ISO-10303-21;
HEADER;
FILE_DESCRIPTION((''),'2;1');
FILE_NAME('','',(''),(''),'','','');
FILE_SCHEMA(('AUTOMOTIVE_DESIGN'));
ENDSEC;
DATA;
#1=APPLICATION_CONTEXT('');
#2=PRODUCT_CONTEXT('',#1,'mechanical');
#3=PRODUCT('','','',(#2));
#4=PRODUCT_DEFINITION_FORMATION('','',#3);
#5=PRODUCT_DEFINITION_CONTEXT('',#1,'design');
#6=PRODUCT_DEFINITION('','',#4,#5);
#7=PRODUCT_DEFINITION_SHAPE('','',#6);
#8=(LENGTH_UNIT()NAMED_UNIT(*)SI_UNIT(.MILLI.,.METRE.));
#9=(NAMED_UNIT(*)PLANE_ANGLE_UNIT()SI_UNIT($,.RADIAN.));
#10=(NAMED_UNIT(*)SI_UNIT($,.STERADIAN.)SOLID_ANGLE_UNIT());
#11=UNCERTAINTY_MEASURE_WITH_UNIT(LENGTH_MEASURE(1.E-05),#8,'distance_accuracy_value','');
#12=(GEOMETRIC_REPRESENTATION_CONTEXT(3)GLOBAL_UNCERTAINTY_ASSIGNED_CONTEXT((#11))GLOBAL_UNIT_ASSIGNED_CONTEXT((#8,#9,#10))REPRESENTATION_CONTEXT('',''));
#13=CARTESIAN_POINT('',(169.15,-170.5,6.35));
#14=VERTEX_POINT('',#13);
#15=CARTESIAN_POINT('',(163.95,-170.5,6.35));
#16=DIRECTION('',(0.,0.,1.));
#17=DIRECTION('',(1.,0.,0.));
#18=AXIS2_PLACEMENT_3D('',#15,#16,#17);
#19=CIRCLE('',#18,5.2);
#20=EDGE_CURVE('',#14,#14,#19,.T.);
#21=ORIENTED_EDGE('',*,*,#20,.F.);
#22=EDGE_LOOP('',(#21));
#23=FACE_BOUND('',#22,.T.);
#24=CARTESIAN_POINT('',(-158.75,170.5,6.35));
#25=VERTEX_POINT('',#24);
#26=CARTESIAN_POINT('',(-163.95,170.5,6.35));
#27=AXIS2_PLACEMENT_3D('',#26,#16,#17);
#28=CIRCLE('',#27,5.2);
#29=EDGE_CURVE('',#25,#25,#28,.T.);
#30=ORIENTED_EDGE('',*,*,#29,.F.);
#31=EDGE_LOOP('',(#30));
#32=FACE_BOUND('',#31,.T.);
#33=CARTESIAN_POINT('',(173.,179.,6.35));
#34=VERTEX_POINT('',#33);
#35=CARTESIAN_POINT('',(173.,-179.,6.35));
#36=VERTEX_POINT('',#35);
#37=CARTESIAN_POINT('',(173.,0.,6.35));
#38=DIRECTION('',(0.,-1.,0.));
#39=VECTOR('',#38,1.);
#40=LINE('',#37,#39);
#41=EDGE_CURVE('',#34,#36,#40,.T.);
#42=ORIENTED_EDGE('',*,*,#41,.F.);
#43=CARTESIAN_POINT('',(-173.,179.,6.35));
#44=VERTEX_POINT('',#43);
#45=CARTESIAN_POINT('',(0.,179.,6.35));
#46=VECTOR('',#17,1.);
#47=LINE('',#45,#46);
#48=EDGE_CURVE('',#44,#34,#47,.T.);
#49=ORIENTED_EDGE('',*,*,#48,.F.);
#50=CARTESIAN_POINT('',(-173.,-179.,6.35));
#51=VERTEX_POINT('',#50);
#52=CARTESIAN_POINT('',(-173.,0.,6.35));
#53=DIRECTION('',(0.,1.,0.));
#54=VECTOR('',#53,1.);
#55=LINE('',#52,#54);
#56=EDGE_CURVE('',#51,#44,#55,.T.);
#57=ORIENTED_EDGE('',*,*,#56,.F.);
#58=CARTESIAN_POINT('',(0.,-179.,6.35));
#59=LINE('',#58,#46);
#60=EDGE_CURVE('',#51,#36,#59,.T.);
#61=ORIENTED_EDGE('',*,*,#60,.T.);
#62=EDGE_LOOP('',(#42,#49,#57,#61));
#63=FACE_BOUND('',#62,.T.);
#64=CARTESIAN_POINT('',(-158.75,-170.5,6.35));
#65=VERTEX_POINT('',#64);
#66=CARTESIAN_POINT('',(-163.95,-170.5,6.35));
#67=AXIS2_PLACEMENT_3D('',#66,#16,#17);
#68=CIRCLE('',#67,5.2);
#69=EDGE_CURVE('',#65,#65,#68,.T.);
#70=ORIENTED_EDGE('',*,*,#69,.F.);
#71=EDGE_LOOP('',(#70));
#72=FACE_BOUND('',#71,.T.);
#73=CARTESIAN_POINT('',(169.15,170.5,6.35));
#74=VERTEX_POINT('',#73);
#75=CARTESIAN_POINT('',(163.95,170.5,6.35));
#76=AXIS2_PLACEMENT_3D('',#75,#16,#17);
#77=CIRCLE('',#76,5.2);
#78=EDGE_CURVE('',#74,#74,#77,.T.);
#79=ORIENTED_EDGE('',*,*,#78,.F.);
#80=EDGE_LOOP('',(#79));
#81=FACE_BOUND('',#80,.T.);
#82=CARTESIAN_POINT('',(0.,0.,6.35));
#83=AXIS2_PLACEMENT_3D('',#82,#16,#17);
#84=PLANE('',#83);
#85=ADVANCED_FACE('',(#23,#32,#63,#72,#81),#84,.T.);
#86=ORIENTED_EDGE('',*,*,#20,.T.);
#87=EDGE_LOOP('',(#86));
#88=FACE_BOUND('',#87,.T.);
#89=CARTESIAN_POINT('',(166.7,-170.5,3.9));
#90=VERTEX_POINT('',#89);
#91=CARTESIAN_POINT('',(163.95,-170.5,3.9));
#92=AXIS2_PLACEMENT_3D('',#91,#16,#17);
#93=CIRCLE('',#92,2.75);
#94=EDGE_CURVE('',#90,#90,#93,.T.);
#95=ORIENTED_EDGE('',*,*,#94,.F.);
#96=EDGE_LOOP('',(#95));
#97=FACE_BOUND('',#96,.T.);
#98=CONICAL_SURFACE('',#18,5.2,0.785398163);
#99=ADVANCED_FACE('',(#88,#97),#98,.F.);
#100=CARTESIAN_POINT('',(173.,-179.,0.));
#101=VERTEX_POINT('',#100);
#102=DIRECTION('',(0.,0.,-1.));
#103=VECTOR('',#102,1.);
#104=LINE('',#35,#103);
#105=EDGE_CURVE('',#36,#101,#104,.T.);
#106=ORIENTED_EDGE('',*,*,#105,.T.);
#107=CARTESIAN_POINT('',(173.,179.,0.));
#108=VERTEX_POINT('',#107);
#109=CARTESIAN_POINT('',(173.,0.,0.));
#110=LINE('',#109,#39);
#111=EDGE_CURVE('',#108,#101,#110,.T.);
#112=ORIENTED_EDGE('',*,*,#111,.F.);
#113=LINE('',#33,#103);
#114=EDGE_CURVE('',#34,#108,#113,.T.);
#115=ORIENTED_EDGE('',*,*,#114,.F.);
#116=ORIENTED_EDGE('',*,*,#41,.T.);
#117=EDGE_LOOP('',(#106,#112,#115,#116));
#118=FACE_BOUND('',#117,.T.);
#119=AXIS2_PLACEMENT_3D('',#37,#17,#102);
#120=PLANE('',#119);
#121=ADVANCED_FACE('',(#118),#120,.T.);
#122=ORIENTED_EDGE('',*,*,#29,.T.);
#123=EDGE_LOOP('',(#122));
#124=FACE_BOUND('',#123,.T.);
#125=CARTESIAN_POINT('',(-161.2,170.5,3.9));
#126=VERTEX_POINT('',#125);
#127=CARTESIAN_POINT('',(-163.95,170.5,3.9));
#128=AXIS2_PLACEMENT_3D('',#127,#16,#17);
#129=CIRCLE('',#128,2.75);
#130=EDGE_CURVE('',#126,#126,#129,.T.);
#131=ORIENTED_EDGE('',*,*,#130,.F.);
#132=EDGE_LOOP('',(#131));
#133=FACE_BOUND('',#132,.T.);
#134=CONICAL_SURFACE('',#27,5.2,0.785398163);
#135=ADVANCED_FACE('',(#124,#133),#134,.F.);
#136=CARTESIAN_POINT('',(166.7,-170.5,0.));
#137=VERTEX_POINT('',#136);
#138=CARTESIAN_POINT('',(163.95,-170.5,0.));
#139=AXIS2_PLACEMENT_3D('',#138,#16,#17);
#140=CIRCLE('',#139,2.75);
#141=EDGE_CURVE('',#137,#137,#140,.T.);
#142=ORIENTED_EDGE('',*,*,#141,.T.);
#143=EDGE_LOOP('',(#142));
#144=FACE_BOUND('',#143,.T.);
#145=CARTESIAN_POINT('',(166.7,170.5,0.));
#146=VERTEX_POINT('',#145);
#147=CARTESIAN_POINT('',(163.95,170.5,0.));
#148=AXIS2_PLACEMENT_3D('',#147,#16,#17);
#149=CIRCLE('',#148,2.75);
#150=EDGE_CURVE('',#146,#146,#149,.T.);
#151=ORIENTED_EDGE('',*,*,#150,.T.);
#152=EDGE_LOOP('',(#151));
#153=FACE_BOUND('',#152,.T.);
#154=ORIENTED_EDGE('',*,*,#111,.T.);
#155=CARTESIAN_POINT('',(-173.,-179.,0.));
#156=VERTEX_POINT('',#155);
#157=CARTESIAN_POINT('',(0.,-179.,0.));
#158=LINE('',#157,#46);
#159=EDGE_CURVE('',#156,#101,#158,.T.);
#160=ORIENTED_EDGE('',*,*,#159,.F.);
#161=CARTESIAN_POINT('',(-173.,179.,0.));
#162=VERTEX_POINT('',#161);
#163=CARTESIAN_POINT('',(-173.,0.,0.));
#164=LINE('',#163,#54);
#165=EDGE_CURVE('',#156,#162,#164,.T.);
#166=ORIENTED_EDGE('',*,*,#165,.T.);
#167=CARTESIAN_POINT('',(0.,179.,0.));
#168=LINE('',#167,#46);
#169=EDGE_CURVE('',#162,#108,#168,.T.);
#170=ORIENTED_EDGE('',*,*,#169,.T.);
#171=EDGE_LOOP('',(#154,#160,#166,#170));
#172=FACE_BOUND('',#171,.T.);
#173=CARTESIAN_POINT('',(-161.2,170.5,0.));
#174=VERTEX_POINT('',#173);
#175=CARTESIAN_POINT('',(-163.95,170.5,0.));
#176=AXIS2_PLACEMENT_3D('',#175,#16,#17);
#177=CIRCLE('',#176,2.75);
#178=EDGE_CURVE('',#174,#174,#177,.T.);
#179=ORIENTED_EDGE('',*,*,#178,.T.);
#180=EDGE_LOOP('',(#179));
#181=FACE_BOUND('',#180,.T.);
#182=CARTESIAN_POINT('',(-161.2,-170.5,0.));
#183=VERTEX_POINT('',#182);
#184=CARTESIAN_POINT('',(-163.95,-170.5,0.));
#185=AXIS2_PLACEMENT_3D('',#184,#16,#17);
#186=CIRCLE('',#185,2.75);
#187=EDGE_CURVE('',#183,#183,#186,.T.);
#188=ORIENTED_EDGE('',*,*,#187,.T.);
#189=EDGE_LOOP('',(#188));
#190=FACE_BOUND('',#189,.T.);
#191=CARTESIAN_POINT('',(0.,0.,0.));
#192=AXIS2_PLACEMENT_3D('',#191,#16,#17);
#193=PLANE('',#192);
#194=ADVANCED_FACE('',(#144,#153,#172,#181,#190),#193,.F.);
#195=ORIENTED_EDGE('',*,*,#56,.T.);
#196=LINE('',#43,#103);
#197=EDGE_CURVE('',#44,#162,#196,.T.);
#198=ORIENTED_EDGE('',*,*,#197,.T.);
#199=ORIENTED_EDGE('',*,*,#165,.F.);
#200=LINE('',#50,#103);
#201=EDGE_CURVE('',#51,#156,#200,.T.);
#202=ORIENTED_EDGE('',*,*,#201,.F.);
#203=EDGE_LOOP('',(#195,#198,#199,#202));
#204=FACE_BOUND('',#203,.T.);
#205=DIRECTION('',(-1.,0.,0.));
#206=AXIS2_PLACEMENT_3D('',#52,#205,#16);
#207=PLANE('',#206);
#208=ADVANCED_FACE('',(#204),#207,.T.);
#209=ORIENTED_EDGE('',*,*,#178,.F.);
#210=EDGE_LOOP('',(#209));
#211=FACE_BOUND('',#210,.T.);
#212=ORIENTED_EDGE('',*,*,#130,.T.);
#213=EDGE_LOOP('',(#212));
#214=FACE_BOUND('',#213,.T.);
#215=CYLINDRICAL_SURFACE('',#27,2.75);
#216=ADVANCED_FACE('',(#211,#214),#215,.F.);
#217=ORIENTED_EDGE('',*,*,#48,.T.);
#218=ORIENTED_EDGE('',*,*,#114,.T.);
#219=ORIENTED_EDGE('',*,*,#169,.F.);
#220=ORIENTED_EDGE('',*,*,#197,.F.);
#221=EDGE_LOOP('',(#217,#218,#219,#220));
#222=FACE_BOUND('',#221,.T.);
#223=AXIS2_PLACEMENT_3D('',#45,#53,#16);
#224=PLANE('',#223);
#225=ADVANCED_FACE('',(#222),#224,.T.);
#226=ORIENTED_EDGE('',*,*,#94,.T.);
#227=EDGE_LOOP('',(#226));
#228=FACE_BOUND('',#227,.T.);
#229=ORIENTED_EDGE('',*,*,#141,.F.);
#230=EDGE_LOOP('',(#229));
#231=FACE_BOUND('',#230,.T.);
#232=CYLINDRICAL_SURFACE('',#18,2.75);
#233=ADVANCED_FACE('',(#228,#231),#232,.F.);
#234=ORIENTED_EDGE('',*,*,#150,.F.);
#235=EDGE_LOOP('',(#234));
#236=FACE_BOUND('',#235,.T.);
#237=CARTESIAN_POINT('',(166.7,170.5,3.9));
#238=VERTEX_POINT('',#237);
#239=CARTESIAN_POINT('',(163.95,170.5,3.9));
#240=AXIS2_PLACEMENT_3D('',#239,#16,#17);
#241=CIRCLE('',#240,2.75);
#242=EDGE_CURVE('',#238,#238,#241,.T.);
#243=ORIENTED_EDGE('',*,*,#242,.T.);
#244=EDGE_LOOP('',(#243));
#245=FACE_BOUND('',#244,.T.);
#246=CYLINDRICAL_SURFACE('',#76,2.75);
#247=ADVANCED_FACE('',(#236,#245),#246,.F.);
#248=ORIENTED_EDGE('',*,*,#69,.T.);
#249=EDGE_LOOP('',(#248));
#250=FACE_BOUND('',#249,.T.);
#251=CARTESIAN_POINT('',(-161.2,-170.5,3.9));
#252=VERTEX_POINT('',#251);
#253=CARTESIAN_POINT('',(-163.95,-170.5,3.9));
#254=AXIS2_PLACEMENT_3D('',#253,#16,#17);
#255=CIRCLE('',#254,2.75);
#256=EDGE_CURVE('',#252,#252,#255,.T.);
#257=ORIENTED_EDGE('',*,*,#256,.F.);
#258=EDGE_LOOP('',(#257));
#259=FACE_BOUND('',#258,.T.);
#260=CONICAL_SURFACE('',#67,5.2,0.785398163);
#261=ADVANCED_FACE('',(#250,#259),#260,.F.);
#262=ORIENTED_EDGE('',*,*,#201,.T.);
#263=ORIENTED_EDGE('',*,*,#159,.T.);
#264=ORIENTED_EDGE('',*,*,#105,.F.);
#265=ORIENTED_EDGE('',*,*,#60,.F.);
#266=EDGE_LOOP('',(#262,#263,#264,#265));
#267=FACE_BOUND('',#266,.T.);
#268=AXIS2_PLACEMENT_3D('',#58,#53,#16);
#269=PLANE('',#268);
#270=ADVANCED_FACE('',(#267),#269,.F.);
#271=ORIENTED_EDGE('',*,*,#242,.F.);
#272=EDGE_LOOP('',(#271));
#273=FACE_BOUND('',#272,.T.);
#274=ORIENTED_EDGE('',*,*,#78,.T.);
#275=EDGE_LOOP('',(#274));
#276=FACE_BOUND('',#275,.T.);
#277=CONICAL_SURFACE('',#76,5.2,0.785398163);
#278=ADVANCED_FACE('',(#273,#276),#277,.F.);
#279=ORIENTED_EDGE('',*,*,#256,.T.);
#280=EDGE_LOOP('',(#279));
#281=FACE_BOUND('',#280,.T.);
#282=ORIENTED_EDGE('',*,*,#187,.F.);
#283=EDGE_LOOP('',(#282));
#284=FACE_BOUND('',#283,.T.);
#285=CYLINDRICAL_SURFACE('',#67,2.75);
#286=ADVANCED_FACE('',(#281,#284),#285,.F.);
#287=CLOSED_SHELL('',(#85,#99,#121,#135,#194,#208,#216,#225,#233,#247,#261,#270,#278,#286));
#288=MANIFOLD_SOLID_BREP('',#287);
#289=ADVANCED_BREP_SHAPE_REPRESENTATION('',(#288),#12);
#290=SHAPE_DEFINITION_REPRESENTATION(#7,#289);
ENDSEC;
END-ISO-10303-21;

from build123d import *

# Parameters (mm, degrees)
MODEL_W                                         = 346
MODEL_H                                         = 358
BOSS_EXTRUDE1_DEPTH                             = 6.35
CUT_EXTRUDE1_REACH                              = 251.019
SKETCH2_R                                       = 2.55
CSK_FOR_M5_FLAT_HEAD_MACHINE_SCREW1_D           = 5.5
CSK_FOR_M5_FLAT_HEAD_MACHINE_SCREW1_CSINK_D     = 10.4
CSK_FOR_M5_FLAT_HEAD_MACHINE_SCREW1_CSINK_ANGLE = 90


with BuildPart() as part:
    # Model → Boss-Extrude1 (new body)
    with BuildSketch(Plane.XY):
        Rectangle(MODEL_W, MODEL_H)
    extrude(amount=BOSS_EXTRUDE1_DEPTH)

    # Sketch2 → Cut-Extrude1 (cut, up to next)
    with BuildSketch(Plane.XY.offset(6.35), mode=Mode.PRIVATE) as cut_extrude1_sk1:
        with Locations((-163.95, 170.5)):
            Circle(SKETCH2_R)
    cut_extrude1_tool1 = extrude(cut_extrude1_sk1.sketch, amount=-CUT_EXTRUDE1_REACH, mode=Mode.PRIVATE) & part.part
    # Sketch2 → Cut-Extrude1 (cut, up to next)
    with BuildSketch(Plane.XY.offset(6.35), mode=Mode.PRIVATE) as cut_extrude1_sk2:
        with Locations((-163.95, -170.5)):
            Circle(SKETCH2_R)
    cut_extrude1_tool2 = extrude(cut_extrude1_sk2.sketch, amount=-CUT_EXTRUDE1_REACH, mode=Mode.PRIVATE) & part.part
    # Sketch2 → Cut-Extrude1 (cut, up to next)
    with BuildSketch(Plane.XY.offset(6.35), mode=Mode.PRIVATE) as cut_extrude1_sk3:
        with Locations((163.95, -170.5)):
            Circle(SKETCH2_R)
    cut_extrude1_tool3 = extrude(cut_extrude1_sk3.sketch, amount=-CUT_EXTRUDE1_REACH, mode=Mode.PRIVATE) & part.part
    # Sketch2 → Cut-Extrude1 (cut, up to next)
    with BuildSketch(Plane.XY.offset(6.35), mode=Mode.PRIVATE) as cut_extrude1_sk4:
        with Locations((163.95, 170.5)):
            Circle(SKETCH2_R)
    cut_extrude1_tool4 = extrude(cut_extrude1_sk4.sketch, amount=-CUT_EXTRUDE1_REACH, mode=Mode.PRIVATE) & part.part
    add(cut_extrude1_tool1.solids().sort_by_distance((-163.95, 170.5, 6.35))[0], mode=Mode.SUBTRACT)
    add(cut_extrude1_tool2.solids().sort_by_distance((-163.95, -170.5, 6.35))[0], mode=Mode.SUBTRACT)
    add(cut_extrude1_tool3.solids().sort_by_distance((163.95, -170.5, 6.35))[0], mode=Mode.SUBTRACT)
    add(cut_extrude1_tool4.solids().sort_by_distance((163.95, 170.5, 6.35))[0], mode=Mode.SUBTRACT)

    # CSK for M5 Flat Head Machine Screw1 (through all)
    with Locations(Plane.XY.offset(6.35)):
        with Locations((-163.95, 170.5), (163.95, 170.5), (163.95, -170.5), (-163.95, -170.5)):
            CounterSinkHole(CSK_FOR_M5_FLAT_HEAD_MACHINE_SCREW1_D / 2, CSK_FOR_M5_FLAT_HEAD_MACHINE_SCREW1_CSINK_D / 2, counter_sink_angle=CSK_FOR_M5_FLAT_HEAD_MACHINE_SCREW1_CSINK_ANGLE)


solid = part.part
